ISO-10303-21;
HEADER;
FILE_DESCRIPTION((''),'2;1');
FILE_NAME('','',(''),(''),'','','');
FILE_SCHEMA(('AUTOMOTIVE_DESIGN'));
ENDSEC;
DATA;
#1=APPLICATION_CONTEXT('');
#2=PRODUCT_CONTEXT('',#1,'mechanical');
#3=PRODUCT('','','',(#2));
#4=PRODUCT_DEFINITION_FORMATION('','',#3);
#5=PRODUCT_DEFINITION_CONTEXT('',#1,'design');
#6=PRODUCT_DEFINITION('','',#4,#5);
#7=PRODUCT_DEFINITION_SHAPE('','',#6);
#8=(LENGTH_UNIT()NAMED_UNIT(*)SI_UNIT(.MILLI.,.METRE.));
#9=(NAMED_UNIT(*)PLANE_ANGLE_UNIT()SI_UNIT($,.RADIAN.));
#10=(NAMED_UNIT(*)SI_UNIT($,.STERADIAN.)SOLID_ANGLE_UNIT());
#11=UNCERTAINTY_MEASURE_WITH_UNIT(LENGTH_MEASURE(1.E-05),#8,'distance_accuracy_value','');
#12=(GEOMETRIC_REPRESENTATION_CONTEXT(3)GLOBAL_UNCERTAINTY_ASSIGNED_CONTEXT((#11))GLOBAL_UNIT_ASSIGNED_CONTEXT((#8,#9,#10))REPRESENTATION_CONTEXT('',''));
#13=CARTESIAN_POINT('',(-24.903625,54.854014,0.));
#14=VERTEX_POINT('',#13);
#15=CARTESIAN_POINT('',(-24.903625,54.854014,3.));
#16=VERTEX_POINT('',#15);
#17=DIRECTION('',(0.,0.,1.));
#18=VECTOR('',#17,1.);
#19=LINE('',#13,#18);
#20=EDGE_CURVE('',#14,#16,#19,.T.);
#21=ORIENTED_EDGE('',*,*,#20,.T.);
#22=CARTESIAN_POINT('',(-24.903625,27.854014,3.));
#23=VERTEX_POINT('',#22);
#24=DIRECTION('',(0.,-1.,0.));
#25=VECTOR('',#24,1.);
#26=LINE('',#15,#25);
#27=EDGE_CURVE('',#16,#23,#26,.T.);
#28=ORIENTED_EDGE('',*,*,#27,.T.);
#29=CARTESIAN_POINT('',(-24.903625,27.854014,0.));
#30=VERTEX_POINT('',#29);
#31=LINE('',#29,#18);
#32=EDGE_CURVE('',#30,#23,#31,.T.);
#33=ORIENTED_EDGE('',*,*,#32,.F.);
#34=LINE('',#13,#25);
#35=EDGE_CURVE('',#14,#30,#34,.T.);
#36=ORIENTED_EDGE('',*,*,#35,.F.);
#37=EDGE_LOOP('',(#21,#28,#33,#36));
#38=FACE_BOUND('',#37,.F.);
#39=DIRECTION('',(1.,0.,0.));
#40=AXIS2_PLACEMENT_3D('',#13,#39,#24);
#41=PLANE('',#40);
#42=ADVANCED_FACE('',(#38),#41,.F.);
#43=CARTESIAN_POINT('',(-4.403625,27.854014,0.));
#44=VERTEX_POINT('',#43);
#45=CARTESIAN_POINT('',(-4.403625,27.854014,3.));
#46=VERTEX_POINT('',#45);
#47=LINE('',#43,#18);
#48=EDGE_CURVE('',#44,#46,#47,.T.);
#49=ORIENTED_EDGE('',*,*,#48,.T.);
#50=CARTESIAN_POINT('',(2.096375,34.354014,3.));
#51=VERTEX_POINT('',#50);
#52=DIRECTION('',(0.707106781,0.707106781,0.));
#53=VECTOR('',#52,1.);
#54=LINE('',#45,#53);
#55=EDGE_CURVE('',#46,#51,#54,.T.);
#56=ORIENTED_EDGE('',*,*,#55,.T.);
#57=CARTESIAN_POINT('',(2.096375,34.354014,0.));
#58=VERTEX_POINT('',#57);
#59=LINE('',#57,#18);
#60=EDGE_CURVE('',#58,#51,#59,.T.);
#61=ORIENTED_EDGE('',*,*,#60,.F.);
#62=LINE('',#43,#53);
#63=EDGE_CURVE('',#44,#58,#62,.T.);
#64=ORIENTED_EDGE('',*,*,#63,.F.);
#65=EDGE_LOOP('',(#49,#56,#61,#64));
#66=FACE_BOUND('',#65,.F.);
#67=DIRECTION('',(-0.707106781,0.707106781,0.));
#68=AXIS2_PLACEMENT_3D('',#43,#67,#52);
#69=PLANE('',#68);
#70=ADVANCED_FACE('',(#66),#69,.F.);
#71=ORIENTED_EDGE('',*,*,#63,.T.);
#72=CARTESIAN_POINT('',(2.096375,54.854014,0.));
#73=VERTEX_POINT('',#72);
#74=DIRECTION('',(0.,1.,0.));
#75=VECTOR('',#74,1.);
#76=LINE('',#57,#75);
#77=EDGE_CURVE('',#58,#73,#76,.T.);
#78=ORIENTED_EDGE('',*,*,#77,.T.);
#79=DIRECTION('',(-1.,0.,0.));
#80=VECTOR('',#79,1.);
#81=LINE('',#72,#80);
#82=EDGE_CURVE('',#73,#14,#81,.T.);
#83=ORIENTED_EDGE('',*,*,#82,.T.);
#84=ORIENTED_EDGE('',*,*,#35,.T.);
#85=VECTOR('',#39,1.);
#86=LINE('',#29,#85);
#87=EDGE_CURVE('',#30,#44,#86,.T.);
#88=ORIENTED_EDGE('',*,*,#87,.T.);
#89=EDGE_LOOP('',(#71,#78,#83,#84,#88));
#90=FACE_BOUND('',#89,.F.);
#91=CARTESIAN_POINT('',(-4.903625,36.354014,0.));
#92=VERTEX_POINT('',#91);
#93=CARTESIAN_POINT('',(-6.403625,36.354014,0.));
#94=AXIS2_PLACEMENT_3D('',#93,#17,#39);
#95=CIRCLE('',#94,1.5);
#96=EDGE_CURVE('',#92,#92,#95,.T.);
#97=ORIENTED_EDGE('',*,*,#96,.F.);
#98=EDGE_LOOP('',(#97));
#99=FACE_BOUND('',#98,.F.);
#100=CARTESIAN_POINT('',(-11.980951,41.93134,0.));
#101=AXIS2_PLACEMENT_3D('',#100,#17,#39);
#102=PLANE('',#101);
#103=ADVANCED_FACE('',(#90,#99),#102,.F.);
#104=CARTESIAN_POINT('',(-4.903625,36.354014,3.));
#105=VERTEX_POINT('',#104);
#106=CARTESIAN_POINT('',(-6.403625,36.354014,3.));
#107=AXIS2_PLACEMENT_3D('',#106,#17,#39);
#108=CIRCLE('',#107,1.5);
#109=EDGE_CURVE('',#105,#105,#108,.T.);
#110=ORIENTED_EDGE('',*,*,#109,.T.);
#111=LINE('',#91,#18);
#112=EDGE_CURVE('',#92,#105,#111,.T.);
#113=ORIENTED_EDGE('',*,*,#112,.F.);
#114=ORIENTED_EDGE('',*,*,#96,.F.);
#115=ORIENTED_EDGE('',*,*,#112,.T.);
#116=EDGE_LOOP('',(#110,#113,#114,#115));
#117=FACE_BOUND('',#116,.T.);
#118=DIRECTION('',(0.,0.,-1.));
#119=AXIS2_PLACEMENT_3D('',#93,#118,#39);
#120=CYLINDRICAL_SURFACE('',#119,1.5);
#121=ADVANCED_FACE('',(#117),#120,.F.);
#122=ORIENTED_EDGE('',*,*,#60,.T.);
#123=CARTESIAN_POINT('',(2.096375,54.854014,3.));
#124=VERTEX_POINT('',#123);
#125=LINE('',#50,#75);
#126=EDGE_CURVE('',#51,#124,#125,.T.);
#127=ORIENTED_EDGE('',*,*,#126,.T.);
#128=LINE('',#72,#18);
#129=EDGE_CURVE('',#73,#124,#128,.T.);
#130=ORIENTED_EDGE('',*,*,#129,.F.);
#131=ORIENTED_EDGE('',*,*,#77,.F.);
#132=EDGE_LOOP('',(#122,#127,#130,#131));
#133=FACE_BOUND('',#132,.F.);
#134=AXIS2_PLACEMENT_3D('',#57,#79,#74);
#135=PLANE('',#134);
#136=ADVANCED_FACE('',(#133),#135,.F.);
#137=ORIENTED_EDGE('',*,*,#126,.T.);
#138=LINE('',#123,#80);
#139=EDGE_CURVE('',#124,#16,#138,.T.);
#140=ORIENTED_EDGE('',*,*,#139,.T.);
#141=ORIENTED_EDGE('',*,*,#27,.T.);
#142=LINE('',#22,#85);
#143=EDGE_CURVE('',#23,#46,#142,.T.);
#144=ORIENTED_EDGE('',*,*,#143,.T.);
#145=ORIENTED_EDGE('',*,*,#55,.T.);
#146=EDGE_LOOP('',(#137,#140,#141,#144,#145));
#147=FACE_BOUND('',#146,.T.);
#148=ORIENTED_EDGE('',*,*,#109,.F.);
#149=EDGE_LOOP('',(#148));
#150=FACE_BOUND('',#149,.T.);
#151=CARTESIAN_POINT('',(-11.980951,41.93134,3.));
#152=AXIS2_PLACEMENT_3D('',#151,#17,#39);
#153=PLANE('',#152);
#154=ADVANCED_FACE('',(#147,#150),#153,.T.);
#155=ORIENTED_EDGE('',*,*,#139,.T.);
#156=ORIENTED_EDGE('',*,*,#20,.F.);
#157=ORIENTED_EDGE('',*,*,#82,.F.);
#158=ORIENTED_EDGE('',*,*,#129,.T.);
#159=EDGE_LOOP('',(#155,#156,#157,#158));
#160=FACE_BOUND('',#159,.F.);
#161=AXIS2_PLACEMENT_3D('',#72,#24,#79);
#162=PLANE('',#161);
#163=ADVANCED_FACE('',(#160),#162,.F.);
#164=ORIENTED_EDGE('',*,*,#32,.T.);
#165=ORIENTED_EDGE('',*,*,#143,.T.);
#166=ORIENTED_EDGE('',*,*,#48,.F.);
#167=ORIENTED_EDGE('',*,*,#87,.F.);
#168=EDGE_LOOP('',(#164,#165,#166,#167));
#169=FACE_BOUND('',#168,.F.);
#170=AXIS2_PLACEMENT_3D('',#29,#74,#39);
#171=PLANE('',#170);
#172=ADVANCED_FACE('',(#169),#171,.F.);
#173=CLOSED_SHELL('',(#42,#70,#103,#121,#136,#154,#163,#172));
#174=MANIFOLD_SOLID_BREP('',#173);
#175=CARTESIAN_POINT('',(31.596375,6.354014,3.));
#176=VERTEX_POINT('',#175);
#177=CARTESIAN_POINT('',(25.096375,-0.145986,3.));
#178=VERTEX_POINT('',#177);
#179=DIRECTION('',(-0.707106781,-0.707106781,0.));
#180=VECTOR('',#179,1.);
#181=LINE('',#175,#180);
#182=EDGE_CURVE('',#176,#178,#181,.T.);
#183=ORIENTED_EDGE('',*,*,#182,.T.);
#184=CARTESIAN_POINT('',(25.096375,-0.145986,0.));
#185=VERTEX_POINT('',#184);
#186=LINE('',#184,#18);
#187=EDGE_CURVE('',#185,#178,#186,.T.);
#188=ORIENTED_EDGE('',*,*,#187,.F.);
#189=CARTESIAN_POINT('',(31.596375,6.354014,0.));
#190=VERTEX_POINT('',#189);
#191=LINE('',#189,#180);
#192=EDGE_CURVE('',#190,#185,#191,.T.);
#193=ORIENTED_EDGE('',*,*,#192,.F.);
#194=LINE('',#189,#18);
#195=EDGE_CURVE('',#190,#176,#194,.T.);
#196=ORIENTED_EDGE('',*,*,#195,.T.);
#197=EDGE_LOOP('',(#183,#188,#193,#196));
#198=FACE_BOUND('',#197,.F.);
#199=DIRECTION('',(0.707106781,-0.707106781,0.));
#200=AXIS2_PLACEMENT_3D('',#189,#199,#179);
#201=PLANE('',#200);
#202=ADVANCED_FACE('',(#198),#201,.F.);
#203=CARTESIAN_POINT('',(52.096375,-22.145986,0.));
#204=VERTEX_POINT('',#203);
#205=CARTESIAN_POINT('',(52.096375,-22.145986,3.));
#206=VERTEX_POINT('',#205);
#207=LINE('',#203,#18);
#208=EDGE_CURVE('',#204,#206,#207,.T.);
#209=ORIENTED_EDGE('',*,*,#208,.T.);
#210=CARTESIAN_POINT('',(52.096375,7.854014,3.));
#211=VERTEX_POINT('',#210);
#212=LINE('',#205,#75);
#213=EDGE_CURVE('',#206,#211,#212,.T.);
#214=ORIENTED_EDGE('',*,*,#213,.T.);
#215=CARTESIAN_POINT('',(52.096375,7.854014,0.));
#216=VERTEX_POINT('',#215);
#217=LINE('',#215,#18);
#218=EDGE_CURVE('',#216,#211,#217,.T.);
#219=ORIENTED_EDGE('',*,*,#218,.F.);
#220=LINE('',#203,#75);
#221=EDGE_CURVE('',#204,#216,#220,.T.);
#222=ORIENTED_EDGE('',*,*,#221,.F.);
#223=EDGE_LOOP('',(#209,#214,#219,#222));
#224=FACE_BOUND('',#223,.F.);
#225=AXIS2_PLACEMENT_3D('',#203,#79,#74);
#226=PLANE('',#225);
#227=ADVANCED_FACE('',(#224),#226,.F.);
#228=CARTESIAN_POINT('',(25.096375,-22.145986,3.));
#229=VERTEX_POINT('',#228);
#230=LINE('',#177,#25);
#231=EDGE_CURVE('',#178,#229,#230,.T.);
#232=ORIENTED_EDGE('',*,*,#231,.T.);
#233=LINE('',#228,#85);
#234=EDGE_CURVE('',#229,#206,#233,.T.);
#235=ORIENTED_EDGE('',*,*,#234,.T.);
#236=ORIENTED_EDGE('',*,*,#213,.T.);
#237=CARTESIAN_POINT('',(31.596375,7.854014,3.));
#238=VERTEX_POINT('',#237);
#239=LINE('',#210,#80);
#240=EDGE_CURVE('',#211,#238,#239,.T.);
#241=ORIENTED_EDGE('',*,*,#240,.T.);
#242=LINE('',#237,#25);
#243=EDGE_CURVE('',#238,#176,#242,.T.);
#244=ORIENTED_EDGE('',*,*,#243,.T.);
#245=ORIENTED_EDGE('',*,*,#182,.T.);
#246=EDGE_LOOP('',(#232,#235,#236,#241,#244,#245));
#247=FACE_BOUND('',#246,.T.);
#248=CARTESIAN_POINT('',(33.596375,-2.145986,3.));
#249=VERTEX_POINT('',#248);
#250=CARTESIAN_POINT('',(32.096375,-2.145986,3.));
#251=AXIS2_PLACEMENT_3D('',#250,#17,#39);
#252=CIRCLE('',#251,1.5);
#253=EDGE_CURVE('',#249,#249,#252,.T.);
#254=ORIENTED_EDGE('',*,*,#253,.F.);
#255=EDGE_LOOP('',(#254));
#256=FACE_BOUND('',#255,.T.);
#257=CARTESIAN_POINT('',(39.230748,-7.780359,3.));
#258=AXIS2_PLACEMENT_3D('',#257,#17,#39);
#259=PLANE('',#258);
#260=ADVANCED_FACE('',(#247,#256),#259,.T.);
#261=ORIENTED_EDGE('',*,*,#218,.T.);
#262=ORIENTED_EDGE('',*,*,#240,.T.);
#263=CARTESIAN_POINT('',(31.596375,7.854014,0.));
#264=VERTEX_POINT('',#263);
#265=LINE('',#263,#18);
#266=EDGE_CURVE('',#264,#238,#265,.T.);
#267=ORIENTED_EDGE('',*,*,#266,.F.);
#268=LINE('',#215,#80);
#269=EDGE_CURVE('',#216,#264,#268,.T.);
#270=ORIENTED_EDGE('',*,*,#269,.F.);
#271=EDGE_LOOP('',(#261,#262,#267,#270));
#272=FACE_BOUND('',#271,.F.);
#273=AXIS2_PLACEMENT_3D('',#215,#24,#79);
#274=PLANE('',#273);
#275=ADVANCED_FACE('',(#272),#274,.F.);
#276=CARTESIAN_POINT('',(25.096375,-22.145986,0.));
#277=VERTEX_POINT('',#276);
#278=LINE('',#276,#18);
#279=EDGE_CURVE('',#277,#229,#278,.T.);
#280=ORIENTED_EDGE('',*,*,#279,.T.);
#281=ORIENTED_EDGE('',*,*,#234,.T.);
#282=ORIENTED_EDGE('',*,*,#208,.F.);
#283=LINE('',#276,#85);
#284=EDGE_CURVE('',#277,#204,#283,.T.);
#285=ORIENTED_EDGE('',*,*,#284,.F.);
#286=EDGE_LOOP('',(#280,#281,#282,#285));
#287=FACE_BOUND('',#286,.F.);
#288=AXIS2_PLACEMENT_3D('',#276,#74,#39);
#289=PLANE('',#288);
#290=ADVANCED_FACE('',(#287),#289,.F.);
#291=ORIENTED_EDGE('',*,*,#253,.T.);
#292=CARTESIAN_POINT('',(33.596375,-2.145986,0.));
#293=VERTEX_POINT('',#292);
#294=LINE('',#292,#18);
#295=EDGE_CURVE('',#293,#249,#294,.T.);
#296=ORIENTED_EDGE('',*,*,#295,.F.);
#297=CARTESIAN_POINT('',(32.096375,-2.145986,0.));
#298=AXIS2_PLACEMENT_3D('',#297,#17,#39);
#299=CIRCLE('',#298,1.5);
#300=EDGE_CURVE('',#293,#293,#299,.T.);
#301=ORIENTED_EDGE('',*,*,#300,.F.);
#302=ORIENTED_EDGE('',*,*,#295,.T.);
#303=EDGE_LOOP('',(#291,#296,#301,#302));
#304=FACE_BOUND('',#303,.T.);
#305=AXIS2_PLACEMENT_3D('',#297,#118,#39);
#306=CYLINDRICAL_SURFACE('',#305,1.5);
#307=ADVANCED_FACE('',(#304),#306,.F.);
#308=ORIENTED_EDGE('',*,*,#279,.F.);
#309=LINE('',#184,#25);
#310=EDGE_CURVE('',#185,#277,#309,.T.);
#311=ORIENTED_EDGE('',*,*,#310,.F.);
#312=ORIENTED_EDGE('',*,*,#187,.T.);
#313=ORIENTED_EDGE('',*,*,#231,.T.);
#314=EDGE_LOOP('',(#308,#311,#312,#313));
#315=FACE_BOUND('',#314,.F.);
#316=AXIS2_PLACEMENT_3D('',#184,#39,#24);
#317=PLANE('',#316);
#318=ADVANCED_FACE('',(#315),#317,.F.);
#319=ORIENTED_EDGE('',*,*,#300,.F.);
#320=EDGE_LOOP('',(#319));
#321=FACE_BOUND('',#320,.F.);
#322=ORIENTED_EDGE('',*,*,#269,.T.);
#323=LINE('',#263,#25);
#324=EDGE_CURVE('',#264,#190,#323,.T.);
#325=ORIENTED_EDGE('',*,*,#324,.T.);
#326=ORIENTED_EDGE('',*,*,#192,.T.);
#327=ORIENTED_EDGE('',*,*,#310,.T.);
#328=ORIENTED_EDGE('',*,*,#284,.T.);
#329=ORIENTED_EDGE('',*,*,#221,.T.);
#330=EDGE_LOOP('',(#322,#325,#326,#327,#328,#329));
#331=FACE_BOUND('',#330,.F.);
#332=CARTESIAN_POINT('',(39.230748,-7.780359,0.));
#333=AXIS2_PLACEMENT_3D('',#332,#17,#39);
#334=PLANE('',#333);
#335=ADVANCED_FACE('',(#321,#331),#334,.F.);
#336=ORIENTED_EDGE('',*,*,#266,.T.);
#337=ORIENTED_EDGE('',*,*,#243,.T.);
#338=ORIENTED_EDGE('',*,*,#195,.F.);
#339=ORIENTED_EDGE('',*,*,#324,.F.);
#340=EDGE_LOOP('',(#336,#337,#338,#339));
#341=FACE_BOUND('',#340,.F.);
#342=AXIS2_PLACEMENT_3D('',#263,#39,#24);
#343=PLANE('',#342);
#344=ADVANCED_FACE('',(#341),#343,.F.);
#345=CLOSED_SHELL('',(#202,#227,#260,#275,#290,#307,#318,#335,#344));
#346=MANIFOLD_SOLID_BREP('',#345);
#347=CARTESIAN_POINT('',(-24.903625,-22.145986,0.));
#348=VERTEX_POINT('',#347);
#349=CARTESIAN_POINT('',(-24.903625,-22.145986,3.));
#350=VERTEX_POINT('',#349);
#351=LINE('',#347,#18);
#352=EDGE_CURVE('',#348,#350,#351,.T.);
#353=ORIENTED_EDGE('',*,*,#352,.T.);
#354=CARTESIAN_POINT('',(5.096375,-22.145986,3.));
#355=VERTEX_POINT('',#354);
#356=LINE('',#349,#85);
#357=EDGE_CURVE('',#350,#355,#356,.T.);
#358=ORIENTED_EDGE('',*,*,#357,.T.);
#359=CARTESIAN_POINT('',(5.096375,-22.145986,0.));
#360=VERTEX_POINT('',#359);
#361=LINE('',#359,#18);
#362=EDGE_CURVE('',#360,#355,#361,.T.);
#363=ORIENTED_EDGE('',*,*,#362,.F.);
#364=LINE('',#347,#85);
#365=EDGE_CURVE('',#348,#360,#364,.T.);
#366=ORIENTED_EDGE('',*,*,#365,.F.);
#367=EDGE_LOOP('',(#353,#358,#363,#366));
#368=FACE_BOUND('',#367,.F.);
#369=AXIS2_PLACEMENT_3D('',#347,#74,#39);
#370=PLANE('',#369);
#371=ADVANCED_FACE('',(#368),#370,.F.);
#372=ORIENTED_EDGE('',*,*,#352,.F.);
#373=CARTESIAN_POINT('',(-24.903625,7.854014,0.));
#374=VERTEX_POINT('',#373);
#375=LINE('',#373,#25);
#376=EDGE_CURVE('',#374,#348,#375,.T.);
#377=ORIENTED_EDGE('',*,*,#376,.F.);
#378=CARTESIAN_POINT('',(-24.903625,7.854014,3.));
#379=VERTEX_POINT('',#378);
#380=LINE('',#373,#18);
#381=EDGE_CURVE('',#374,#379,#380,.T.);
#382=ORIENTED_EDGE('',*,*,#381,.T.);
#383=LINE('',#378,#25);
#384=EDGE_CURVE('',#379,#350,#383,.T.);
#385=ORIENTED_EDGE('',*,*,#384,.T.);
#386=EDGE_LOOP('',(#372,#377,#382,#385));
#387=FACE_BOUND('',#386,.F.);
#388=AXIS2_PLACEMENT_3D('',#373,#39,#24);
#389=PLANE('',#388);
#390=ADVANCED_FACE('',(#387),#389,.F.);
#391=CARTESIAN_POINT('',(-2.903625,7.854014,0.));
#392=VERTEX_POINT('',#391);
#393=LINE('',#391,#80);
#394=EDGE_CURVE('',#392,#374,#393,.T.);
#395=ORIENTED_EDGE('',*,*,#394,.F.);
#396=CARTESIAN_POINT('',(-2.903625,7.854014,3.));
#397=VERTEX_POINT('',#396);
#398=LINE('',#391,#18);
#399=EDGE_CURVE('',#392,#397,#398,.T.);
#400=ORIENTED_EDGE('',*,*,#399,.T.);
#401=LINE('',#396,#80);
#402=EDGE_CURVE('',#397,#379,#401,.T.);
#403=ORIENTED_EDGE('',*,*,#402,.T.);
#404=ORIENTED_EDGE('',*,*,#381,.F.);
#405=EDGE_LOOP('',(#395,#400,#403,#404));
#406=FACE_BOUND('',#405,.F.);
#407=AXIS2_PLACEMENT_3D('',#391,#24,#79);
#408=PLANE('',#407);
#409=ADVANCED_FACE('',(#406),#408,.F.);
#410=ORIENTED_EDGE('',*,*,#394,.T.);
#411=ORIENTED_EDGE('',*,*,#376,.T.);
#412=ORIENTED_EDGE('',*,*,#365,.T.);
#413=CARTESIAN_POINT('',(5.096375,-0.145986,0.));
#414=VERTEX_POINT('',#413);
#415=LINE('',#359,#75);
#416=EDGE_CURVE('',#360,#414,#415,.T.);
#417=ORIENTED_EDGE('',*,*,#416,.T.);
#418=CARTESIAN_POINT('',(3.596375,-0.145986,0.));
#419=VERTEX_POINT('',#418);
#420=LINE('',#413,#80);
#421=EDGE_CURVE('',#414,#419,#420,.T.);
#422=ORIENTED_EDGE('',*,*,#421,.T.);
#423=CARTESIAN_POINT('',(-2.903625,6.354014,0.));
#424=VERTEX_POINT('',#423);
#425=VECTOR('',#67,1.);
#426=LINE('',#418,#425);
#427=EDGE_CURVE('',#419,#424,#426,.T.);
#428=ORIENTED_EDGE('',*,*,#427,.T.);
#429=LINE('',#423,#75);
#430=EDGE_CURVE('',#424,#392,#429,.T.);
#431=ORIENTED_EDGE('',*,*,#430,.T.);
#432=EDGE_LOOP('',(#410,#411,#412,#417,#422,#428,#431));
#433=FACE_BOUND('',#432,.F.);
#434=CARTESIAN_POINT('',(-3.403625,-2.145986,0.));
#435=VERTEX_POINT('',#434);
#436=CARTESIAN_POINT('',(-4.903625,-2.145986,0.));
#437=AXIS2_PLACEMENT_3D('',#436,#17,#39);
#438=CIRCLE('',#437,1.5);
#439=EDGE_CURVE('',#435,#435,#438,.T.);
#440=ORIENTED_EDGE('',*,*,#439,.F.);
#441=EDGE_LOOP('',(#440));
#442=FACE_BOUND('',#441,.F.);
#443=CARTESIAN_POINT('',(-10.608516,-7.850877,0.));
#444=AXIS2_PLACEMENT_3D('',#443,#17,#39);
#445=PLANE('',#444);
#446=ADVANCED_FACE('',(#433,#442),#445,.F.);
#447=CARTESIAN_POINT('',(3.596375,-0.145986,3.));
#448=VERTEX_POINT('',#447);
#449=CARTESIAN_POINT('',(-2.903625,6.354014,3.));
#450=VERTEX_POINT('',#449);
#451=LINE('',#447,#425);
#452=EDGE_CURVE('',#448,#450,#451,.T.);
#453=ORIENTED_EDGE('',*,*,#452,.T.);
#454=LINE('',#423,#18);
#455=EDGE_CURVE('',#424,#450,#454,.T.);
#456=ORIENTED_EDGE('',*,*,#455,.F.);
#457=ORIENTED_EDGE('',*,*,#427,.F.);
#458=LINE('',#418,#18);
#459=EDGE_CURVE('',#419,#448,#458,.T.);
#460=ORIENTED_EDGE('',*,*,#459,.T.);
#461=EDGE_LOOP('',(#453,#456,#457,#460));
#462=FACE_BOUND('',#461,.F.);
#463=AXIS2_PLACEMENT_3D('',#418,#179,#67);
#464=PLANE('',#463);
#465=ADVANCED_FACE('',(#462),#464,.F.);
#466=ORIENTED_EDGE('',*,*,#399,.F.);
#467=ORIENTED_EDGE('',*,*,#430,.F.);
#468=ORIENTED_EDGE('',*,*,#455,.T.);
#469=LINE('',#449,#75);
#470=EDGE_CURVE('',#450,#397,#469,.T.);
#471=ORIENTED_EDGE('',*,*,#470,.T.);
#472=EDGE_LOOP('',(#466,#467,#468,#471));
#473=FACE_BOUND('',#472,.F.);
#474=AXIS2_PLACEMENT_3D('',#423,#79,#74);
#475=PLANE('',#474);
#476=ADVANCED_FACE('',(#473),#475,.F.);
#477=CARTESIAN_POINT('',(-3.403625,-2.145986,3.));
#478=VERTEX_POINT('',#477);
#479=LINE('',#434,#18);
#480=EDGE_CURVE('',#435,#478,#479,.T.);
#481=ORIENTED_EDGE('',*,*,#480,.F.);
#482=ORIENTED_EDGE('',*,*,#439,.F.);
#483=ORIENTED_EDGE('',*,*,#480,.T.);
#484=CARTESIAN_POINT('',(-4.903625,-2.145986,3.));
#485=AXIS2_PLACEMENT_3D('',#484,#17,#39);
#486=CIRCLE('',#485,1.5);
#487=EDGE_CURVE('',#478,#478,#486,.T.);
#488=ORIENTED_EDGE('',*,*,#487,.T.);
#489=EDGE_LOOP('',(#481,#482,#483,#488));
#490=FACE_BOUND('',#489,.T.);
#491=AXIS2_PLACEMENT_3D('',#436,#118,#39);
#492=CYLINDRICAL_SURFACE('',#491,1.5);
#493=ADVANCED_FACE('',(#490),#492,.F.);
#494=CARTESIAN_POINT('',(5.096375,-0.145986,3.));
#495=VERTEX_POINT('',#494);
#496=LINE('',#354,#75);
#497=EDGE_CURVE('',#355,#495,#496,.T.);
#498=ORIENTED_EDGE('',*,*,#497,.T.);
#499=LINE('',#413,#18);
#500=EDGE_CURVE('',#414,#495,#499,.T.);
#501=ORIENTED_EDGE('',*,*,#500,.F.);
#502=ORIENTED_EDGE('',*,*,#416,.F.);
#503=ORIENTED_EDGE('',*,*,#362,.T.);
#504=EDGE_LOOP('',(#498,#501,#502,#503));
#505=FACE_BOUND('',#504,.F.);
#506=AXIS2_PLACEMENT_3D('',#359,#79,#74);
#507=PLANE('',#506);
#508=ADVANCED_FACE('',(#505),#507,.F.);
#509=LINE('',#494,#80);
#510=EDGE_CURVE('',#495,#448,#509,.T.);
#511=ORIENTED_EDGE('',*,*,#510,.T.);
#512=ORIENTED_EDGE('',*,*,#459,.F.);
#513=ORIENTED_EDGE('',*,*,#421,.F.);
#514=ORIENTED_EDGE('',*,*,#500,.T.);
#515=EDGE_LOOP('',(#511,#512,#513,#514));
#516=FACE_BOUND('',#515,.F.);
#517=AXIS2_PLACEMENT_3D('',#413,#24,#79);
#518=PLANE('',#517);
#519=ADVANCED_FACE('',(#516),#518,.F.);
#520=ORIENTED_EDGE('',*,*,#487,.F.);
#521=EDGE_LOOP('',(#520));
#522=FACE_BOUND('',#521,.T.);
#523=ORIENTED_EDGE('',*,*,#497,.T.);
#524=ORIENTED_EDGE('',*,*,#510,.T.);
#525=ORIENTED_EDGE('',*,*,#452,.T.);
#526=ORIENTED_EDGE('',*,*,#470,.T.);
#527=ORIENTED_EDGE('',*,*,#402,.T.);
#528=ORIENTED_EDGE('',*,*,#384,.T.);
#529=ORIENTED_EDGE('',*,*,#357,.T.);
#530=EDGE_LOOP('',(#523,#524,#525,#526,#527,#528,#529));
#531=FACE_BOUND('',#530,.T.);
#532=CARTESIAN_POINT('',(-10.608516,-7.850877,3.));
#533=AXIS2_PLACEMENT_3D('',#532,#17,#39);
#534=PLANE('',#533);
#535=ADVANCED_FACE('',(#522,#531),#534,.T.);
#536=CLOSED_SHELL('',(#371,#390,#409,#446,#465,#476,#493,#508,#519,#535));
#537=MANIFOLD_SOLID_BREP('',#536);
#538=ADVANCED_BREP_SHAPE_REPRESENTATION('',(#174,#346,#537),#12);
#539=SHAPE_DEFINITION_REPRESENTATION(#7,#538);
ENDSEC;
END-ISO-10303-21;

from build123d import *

# Parameters (mm, degrees)
F0_R     = 1.5
F1_DEPTH = 3


with BuildPart() as f1:
    # F0 (on Top) → F1 (new body)
    with BuildSketch(Plane.XY):
        Polygon((-2.903625, 7.854014), (-24.903625, 7.854014), (-24.903625, -22.145986), (5.096375, -22.145986), (5.096375, -0.145986), (3.596375, -0.145986), (-2.903625, 6.354014), align=None)
        with Locations((-4.903625, -2.145986)):
            Circle(F0_R, mode=Mode.SUBTRACT)
        Polygon((52.096375, 7.854014), (31.596375, 7.854014), (31.596375, 6.354014), (25.096375, -0.145986), (25.096375, -22.145986), (52.096375, -22.145986), align=None)
        with Locations((32.096375, -2.145986)):
            Circle(F0_R, mode=Mode.SUBTRACT)
        Polygon((2.096375, 54.854014), (-24.903625, 54.854014), (-24.903625, 27.854014), (-4.403625, 27.854014), (2.096375, 34.354014), align=None)
        with Locations((-6.403625, 36.354014)):
            Circle(F0_R, mode=Mode.SUBTRACT)
    extrude(amount=F1_DEPTH)


solid = f1.part
